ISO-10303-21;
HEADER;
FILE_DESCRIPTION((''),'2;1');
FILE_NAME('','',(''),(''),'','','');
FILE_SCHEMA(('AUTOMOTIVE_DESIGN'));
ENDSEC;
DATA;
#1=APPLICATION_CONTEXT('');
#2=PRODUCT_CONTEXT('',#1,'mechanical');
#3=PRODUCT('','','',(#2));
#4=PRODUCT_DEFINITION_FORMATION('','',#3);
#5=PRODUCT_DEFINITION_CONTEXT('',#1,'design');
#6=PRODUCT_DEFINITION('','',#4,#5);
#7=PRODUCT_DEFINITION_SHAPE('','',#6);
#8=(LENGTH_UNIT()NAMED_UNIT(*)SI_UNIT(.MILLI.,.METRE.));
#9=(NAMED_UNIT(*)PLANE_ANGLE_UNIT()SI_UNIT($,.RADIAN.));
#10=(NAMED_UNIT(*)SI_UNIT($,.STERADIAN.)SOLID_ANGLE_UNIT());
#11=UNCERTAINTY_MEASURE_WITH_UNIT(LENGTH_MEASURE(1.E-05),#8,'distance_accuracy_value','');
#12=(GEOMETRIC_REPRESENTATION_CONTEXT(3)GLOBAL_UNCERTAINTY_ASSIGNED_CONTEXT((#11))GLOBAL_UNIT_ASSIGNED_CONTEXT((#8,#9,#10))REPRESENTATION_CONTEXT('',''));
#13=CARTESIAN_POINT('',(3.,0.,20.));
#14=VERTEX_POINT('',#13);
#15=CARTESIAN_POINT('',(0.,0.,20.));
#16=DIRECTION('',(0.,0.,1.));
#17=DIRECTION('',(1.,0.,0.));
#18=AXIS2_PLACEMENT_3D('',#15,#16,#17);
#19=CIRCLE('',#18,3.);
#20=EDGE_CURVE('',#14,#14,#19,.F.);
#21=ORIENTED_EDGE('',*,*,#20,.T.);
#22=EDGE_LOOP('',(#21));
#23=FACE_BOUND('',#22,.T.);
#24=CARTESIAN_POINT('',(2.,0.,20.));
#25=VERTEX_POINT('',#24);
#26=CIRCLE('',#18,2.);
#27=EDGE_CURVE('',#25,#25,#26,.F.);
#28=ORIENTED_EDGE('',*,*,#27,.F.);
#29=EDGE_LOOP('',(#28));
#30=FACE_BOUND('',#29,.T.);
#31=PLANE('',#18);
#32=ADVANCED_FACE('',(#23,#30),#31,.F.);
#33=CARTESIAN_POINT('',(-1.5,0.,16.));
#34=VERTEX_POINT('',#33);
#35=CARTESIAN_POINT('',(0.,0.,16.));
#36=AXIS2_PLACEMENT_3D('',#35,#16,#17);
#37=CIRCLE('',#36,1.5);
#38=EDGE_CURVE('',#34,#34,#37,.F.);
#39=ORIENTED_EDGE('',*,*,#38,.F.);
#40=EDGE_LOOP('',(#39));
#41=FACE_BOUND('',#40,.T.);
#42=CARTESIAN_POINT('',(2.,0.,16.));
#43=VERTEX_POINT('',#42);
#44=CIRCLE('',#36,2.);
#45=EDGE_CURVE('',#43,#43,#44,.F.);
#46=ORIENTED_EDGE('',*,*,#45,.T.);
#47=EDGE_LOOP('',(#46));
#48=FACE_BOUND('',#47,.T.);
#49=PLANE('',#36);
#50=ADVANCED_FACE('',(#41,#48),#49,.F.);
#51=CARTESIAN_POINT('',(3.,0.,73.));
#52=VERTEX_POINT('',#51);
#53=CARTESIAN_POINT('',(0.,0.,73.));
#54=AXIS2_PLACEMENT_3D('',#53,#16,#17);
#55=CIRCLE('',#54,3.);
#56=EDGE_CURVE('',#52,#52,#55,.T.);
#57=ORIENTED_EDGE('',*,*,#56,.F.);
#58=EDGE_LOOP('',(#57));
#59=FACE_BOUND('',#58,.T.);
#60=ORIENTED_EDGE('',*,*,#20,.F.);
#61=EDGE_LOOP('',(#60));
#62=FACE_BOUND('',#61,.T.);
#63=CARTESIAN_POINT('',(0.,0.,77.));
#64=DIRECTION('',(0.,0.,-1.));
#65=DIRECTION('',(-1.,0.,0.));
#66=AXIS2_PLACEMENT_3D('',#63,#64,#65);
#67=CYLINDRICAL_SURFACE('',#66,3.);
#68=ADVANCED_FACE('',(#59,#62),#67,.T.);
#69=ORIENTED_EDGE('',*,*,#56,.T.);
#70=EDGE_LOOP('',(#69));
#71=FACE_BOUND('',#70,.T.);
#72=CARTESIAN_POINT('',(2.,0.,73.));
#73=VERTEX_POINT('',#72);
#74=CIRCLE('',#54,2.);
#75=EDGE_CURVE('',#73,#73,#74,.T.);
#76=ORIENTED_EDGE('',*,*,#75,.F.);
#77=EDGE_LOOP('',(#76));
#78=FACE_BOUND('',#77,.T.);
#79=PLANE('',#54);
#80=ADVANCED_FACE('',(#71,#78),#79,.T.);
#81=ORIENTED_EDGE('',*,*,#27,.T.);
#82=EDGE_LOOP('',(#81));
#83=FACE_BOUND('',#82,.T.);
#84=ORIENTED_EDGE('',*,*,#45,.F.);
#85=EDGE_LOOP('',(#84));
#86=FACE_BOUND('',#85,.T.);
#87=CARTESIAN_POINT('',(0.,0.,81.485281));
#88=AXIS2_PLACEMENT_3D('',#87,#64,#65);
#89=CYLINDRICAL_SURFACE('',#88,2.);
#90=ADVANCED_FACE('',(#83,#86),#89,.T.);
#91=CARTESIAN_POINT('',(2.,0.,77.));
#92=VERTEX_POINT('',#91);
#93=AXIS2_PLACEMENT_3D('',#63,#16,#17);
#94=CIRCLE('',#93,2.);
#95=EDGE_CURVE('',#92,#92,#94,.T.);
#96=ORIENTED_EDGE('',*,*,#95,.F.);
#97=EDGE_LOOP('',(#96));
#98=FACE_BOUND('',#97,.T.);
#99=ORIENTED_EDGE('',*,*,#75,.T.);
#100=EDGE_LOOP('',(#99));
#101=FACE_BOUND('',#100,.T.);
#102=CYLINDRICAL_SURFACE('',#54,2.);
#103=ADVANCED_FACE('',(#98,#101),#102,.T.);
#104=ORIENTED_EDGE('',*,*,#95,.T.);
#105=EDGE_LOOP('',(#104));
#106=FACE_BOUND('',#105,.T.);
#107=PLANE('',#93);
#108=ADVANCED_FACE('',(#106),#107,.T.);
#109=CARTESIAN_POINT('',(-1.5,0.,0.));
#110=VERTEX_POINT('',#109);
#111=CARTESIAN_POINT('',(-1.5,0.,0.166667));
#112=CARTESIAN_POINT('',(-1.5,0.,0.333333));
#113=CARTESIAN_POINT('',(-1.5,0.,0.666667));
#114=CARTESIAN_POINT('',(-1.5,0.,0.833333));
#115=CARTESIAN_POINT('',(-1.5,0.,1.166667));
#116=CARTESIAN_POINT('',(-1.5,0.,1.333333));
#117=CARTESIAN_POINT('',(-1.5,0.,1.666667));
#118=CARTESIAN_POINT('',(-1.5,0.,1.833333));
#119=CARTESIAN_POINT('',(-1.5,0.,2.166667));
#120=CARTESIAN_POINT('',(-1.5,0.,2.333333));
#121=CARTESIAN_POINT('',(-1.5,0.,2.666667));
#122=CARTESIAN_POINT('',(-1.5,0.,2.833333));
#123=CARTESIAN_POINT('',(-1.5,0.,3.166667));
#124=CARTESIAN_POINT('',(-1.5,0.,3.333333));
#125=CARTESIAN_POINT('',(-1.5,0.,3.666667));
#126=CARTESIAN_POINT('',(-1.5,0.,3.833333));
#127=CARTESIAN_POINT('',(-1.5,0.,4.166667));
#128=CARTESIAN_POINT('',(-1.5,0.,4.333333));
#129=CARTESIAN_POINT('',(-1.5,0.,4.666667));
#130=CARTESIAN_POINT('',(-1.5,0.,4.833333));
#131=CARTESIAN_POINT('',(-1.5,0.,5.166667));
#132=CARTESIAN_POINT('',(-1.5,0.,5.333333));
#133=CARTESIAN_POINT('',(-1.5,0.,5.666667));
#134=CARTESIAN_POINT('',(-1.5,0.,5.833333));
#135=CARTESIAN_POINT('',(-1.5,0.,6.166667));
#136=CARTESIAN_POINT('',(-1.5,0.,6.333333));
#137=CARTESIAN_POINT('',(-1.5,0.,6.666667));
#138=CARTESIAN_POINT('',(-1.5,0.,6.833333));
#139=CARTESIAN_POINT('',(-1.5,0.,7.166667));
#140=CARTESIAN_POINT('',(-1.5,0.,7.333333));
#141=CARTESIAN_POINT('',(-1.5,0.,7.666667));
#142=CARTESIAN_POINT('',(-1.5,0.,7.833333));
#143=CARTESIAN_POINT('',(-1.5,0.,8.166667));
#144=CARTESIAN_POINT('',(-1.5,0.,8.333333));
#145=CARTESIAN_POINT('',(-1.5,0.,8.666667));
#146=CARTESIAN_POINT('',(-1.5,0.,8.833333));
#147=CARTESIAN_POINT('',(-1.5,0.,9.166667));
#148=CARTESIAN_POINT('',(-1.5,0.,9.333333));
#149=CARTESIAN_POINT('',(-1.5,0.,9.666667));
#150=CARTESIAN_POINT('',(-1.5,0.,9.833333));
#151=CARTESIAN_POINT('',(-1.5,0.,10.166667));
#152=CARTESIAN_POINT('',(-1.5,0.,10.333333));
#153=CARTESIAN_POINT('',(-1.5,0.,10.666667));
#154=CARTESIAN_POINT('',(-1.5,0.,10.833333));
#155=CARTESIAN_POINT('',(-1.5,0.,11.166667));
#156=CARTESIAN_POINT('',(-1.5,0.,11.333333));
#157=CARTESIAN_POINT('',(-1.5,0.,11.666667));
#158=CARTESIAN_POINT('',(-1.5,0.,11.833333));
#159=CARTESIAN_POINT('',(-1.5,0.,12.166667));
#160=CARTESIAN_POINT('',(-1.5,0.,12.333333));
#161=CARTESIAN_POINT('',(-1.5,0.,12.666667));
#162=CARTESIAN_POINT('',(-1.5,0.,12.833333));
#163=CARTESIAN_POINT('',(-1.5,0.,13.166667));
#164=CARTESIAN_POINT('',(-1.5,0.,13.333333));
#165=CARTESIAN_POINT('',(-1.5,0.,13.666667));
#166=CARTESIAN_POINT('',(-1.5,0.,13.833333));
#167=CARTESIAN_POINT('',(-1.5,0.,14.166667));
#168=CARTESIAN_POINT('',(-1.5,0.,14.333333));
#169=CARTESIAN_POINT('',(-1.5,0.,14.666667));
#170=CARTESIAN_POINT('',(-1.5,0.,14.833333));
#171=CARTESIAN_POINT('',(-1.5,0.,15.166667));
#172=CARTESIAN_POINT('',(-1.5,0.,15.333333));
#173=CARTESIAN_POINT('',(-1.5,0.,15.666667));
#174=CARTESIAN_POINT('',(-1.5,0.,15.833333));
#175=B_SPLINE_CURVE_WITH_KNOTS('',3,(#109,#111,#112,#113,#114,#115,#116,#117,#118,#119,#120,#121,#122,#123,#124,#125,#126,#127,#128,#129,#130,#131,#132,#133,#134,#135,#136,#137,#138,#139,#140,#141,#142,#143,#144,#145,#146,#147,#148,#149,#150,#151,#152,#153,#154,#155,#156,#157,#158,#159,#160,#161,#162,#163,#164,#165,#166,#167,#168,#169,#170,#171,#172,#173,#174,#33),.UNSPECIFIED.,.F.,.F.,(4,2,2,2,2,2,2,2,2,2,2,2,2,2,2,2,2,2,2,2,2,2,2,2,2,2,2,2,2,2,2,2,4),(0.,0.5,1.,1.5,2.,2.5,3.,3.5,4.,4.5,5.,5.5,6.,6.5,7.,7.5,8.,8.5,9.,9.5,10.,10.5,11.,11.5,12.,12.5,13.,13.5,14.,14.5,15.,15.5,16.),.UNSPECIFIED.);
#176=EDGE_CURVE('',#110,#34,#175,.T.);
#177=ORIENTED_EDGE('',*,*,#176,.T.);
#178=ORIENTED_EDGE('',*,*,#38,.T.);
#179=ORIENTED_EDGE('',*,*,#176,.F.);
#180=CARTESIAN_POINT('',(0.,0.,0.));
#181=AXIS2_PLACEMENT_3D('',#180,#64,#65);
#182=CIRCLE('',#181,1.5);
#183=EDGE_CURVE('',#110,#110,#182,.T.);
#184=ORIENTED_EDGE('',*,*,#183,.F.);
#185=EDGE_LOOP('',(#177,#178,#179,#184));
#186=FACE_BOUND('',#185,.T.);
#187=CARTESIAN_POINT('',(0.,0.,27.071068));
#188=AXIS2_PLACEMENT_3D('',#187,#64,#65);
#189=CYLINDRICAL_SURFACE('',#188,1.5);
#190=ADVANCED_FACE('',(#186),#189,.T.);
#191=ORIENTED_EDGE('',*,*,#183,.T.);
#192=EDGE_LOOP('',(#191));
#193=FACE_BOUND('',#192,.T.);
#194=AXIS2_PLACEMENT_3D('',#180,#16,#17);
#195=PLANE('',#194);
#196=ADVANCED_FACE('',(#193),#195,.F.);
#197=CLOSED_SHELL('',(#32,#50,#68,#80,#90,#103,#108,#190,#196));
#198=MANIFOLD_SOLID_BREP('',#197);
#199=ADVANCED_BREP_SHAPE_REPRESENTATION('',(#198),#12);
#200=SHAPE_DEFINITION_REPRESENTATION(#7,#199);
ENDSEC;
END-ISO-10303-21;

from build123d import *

# Parameters (mm, degrees)
ESBO_O1_R                = 3
RESSALTO_EXTRUS_O1_DEPTH = 77
CORTE_EXTRUS_O1_START    = -4
ESBO_O2_R                = 3
ESBO_O2_R_2              = 2
CORTE_EXTRUS_O1_DEPTH    = 4
ESBO_O3_R                = 3
ESBO_O3_R_2              = 2
CORTE_EXTRUS_O2_DEPTH    = 20
ESBO_O4_R                = 2.5
ESBO_O4_R_2              = 1.5
CORTE_EXTRUS_O3_DEPTH    = 16


with BuildPart() as part:
    # Esboço1 → Ressalto-extrusão1 (new body)
    with BuildSketch(Plane.XY):
        Circle(ESBO_O1_R)
    extrude(amount=RESSALTO_EXTRUS_O1_DEPTH)

    # Esboço2 → Corte-extrusão1 (cut)
    with BuildSketch(Plane.XY.offset(77).offset(CORTE_EXTRUS_O1_START)):
        Circle(ESBO_O2_R)
        Circle(ESBO_O2_R_2, mode=Mode.SUBTRACT)
    extrude(amount=CORTE_EXTRUS_O1_DEPTH, mode=Mode.SUBTRACT)

    # Esboço3 → Corte-extrusão2 (cut)
    with BuildSketch(Plane(origin=(0, 0, 0), x_dir=(-1, 0, 0), z_dir=(0, 0, -1))):
        with Locations(Location((0, 0, 0), (0, 0, 180))):
            Circle(ESBO_O3_R)
        with Locations(Location((0, 0, 0), (0, 0, 180))):
            Circle(ESBO_O3_R_2, mode=Mode.SUBTRACT)
    extrude(amount=-CORTE_EXTRUS_O2_DEPTH, mode=Mode.SUBTRACT)

    # Esboço4 → Corte-extrusão3 (cut)
    with BuildSketch(Plane(origin=(0, 0, 0), x_dir=(-1, 0, 0), z_dir=(0, 0, -1))):
        Circle(ESBO_O4_R)
        Circle(ESBO_O4_R_2, mode=Mode.SUBTRACT)
    extrude(amount=-CORTE_EXTRUS_O3_DEPTH, mode=Mode.SUBTRACT)


solid = part.part
